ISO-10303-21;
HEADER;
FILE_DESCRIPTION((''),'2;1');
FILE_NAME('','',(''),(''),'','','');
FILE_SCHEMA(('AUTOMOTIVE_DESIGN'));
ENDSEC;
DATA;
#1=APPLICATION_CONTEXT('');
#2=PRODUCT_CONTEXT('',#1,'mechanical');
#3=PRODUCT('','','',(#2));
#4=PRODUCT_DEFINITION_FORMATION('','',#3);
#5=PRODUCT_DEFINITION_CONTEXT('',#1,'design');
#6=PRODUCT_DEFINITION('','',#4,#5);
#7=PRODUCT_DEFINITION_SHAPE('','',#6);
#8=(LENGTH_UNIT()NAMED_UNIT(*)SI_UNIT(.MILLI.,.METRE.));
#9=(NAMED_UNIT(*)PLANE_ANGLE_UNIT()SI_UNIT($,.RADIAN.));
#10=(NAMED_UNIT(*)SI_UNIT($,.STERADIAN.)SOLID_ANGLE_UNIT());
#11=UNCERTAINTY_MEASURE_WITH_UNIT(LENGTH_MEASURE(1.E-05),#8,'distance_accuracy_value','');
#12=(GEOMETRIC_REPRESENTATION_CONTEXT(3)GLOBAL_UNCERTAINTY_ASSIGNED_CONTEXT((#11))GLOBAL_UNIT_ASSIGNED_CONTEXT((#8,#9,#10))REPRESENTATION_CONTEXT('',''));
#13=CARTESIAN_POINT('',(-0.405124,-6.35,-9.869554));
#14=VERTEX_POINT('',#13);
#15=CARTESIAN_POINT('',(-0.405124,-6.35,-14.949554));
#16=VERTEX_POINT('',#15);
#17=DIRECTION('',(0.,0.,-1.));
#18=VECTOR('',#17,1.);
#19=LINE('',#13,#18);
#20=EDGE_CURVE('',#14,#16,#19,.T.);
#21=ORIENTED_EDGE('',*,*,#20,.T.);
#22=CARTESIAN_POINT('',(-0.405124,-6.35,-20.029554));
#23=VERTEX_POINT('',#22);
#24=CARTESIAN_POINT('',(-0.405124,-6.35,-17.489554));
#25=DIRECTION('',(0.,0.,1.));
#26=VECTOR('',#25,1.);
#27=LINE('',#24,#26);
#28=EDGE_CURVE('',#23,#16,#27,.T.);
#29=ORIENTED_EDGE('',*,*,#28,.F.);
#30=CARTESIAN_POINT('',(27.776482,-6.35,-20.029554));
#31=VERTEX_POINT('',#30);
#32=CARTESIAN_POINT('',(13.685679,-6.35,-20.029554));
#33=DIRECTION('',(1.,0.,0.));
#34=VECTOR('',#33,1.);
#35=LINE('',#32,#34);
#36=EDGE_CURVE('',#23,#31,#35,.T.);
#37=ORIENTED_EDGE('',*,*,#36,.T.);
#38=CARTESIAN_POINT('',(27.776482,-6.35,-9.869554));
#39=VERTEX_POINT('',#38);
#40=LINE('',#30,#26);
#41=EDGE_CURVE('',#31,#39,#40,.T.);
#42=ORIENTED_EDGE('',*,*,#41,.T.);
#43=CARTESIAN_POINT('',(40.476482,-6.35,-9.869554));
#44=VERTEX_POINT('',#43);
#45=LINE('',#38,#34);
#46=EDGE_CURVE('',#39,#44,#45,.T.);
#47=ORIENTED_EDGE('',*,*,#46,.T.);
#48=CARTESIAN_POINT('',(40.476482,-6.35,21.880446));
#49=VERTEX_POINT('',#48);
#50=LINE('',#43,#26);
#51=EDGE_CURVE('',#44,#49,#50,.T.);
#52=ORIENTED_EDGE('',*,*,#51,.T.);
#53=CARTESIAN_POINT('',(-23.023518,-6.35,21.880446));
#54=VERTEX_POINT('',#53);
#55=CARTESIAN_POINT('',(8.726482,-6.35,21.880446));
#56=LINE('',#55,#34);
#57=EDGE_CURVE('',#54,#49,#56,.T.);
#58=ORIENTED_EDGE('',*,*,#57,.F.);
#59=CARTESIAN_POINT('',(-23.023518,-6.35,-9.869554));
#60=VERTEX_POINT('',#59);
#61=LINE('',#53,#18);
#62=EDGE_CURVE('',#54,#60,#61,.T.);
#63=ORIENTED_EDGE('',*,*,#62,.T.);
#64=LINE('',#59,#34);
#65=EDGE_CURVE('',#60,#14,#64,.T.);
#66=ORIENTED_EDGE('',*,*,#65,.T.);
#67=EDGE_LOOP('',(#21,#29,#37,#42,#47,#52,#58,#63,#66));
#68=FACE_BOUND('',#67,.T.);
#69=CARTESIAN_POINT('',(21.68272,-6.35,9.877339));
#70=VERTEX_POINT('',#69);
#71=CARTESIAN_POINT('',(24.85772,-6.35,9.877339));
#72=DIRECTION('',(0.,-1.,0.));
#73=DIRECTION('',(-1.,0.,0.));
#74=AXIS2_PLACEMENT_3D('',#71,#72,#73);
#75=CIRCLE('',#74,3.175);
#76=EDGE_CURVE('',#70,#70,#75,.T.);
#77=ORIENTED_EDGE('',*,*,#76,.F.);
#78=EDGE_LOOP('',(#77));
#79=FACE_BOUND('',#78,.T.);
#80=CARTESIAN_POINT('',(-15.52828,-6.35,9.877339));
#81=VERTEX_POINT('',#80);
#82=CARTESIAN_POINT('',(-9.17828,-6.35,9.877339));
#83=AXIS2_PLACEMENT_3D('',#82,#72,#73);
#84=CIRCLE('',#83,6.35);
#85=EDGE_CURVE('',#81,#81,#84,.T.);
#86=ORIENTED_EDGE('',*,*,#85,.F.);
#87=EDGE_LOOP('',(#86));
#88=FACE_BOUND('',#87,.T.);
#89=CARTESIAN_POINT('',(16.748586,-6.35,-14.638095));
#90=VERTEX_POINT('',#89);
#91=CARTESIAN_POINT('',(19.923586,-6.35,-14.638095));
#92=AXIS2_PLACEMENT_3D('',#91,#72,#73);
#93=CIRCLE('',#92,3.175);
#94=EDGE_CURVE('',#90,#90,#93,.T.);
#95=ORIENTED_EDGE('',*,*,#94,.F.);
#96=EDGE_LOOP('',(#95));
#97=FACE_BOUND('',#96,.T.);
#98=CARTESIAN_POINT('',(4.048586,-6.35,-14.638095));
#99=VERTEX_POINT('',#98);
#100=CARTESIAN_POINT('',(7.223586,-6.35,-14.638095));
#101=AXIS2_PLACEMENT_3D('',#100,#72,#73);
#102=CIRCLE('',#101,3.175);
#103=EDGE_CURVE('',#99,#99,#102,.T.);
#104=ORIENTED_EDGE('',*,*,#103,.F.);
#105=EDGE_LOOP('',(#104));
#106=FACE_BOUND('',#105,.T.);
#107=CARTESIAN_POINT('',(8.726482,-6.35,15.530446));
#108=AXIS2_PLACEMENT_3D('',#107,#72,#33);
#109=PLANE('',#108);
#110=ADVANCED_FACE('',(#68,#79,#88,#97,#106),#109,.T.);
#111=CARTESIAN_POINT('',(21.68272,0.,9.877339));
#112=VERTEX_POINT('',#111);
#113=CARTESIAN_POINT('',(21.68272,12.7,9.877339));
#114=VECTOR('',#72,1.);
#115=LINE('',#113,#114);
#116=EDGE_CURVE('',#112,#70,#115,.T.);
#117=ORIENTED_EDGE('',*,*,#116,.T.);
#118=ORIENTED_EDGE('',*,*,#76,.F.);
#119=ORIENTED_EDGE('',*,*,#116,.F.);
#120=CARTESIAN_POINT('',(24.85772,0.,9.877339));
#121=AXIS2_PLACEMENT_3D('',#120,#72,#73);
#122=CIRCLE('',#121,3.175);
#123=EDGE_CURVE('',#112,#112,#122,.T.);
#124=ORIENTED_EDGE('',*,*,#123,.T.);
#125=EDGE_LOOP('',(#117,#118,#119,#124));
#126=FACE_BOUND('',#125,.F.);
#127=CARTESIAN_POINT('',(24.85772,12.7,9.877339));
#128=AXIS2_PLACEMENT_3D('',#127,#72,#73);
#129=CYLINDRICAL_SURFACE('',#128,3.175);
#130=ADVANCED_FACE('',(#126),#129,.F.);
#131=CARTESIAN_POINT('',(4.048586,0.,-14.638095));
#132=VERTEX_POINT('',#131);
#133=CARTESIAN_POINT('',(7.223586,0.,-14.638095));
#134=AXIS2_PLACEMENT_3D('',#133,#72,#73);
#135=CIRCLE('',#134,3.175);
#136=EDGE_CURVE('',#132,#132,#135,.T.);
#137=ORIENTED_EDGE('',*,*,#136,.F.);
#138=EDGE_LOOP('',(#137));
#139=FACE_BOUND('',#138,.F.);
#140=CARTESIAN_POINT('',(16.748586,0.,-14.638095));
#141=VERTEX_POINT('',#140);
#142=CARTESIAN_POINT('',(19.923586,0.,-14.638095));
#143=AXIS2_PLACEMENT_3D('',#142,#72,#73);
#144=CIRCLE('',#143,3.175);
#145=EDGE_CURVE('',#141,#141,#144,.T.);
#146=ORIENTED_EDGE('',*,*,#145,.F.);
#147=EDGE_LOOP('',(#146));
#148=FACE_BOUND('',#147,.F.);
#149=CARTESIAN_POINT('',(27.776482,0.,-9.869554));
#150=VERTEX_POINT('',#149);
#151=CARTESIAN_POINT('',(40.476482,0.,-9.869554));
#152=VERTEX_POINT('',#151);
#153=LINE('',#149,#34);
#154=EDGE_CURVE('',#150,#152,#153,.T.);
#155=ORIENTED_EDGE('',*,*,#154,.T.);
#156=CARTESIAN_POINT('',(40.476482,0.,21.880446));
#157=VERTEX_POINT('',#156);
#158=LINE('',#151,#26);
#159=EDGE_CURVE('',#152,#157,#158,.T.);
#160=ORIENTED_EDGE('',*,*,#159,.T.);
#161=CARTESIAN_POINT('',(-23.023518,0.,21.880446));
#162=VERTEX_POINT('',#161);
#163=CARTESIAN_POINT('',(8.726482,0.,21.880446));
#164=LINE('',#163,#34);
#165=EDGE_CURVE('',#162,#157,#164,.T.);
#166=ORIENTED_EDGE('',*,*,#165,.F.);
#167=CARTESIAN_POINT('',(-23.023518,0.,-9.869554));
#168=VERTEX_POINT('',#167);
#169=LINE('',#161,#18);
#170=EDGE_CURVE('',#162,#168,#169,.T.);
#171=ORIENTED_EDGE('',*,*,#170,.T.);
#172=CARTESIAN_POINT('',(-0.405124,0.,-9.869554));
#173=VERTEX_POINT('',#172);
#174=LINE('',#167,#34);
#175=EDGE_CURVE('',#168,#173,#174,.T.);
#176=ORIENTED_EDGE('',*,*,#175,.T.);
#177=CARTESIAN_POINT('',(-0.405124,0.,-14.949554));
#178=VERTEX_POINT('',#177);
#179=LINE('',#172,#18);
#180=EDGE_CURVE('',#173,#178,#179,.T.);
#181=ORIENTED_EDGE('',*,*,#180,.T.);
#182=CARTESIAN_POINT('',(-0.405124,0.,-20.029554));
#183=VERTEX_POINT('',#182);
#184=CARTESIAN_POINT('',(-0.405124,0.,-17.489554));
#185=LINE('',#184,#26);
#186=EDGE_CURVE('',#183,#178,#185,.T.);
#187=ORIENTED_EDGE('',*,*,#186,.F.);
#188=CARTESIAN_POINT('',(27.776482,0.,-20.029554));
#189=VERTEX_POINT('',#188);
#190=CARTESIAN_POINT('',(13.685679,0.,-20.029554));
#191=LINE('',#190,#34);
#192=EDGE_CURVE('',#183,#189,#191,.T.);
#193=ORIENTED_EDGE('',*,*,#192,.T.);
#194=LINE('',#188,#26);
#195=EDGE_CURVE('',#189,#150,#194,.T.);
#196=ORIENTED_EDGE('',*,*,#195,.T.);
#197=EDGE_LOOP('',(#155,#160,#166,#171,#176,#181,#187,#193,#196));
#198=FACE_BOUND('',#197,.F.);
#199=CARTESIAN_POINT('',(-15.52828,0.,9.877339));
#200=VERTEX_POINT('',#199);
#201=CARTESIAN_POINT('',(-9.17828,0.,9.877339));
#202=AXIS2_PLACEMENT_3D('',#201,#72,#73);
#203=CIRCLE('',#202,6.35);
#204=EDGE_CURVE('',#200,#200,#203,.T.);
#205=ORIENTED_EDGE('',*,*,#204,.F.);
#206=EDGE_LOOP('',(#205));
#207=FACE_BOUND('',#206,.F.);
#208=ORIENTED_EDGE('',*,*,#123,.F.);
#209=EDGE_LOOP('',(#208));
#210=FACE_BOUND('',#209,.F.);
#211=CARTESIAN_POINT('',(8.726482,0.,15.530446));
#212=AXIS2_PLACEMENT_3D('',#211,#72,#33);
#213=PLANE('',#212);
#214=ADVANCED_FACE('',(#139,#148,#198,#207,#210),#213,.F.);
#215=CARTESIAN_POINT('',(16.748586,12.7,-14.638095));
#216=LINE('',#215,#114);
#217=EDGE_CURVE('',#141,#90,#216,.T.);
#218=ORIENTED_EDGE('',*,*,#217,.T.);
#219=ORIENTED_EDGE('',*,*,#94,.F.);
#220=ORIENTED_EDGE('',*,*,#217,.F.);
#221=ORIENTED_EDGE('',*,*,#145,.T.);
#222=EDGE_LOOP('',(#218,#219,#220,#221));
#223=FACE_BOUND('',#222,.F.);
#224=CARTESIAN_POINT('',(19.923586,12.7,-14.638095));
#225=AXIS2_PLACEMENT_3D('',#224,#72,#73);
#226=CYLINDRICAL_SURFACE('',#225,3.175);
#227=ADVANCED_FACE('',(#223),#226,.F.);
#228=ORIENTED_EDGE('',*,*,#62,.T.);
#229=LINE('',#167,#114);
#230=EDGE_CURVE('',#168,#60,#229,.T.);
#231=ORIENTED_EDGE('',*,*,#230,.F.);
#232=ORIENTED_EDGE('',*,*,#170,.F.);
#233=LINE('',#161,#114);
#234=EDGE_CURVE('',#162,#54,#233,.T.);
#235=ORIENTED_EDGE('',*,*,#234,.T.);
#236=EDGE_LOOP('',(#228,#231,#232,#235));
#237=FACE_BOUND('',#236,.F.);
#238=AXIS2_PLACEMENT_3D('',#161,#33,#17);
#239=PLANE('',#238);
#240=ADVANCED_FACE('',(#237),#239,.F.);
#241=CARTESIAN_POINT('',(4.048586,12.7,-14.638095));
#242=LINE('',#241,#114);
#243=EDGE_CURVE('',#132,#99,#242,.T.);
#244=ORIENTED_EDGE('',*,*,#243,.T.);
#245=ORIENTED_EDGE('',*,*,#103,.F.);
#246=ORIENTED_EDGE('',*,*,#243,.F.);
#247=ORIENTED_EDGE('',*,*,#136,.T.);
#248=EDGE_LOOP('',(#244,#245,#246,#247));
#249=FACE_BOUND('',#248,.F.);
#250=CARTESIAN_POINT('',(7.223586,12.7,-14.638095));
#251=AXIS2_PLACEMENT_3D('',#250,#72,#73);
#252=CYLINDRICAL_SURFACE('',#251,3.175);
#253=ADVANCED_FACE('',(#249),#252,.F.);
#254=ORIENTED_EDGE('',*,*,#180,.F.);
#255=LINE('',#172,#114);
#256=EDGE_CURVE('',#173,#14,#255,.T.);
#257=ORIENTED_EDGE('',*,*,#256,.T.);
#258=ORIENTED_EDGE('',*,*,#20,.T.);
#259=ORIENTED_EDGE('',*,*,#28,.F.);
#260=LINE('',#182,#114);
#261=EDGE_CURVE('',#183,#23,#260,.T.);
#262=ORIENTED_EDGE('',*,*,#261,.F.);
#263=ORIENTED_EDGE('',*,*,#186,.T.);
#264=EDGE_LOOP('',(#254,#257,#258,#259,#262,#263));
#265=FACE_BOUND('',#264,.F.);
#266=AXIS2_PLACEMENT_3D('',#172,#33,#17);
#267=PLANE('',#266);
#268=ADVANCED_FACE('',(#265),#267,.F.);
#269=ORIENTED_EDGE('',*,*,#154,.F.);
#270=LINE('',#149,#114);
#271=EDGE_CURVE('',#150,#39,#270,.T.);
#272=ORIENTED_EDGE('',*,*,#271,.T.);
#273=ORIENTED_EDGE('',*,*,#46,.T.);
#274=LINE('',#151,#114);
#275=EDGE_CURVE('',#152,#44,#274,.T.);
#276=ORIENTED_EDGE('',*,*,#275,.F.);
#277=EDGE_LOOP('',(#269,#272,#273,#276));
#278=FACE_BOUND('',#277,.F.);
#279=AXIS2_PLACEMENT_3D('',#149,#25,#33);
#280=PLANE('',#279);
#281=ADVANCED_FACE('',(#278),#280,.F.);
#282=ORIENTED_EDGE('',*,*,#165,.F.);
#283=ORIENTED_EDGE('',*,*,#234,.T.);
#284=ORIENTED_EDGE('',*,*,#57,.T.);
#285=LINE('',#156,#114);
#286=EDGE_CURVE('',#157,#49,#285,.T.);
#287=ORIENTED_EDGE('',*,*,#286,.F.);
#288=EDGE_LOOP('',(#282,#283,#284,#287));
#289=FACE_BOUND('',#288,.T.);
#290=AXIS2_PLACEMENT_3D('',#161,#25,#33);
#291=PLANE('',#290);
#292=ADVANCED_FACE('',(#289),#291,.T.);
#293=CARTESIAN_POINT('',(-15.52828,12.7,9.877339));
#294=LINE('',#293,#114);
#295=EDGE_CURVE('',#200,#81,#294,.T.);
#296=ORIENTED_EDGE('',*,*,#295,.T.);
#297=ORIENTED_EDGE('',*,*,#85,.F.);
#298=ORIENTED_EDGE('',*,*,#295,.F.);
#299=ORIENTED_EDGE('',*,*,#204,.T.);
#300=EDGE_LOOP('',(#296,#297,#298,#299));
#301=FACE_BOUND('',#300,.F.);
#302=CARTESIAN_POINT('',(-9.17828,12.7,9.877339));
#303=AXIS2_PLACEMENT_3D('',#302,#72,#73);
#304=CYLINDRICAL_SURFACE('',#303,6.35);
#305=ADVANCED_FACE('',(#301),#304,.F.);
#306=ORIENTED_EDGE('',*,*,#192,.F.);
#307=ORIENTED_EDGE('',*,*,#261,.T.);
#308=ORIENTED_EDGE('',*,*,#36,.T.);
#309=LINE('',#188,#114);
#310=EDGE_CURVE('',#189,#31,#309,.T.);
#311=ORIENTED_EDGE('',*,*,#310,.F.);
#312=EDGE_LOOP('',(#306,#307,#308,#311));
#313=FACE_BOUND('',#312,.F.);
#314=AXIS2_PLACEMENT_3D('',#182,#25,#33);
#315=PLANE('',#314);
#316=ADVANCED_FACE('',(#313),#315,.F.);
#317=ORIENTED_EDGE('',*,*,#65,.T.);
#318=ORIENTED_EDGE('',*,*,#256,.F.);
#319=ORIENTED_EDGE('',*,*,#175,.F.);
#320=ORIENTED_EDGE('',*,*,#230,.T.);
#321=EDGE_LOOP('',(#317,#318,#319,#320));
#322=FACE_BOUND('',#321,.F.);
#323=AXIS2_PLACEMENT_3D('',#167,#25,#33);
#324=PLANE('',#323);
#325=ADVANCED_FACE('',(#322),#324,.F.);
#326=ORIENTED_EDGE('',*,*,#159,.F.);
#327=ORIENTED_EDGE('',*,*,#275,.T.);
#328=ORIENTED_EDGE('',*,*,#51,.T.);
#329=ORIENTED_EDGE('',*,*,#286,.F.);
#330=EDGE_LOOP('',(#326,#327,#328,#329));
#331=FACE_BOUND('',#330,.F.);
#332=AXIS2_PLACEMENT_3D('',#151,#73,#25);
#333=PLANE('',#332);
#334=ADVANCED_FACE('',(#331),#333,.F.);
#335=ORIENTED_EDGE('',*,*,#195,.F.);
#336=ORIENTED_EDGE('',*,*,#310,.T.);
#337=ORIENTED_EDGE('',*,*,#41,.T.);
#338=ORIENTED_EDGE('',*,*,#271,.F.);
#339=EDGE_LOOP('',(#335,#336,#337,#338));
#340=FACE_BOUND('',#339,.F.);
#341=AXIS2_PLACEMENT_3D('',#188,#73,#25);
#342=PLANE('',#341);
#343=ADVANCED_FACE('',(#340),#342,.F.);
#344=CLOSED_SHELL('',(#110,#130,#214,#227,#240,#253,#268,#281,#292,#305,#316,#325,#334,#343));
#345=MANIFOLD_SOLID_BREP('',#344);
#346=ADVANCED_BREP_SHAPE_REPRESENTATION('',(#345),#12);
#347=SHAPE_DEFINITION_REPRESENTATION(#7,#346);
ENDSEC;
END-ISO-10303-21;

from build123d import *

# Parameters (mm, degrees)
F0_W     = 63.5
F0_H     = 12.7
F0_W_2   = 28.1816057964
F0_H_2   = 5.08
F1_DEPTH = 6.35
F2_D     = 12.7
F2_DEPTH = 12.7
F2_TIP   = 3.8154649308
F3_D     = 6.35
F3_DEPTH = 12.7
F3_TIP   = 1.9077324654
F4_D     = 6.35
F4_DEPTH = 12.7
F4_TIP   = 1.9077324654


with BuildPart() as f1:
    # F0 (on Front) → F1 (new body)
    with BuildSketch(Plane.XZ):
        with Locations((8.7264817292, 15.5304455166)):
            Rectangle(F0_W, F0_H)
        Polygon((40.4764817292, 9.1804455166), (-23.0235182708, 9.1804455166), (-23.0235182708, -9.8695544834), (-0.4051240673, -9.8695544834), (-0.4051240673, -14.9495544834), (27.7764817292, -14.9495544834), (27.7764817292, -9.8695544834), (40.4764817292, -9.8695544834), align=None)
        with Locations((13.685678831, -17.4895544834)):
            Rectangle(F0_W_2, F0_H_2)
    extrude(amount=F1_DEPTH)

    # F2
    with Locations(Plane(origin=(0, 0, 0), x_dir=(1, 0, 0), z_dir=(0, 1, 0))):
        with Locations((-9.1782798991, -9.8773387097)):
            Hole(F2_D / 2, depth=F2_DEPTH)
            with Locations((0, 0, -(F2_DEPTH + F2_TIP / 2))):  # 118° drill point
                Cone(0, F2_D / 2, F2_TIP, mode=Mode.SUBTRACT)

    # F3
    with Locations(Plane(origin=(0, 0, 0), x_dir=(1, 0, 0), z_dir=(0, 1, 0))):
        with Locations((24.8577201009, -9.8773387097)):
            Hole(F3_D / 2, depth=F3_DEPTH)
            with Locations((0, 0, -(F3_DEPTH + F3_TIP / 2))):  # 118° drill point
                Cone(0, F3_D / 2, F3_TIP, mode=Mode.SUBTRACT)

    # F4
    with Locations(Plane(origin=(0, 0, 0), x_dir=(1, 0, 0), z_dir=(0, 1, 0))):
        with Locations((7.2235863984, 14.6380947129), (19.9235863984, 14.6380947129)):
            Hole(F4_D / 2, depth=F4_DEPTH)
            with Locations((0, 0, -(F4_DEPTH + F4_TIP / 2))):  # 118° drill point
                Cone(0, F4_D / 2, F4_TIP, mode=Mode.SUBTRACT)


solid = f1.part
